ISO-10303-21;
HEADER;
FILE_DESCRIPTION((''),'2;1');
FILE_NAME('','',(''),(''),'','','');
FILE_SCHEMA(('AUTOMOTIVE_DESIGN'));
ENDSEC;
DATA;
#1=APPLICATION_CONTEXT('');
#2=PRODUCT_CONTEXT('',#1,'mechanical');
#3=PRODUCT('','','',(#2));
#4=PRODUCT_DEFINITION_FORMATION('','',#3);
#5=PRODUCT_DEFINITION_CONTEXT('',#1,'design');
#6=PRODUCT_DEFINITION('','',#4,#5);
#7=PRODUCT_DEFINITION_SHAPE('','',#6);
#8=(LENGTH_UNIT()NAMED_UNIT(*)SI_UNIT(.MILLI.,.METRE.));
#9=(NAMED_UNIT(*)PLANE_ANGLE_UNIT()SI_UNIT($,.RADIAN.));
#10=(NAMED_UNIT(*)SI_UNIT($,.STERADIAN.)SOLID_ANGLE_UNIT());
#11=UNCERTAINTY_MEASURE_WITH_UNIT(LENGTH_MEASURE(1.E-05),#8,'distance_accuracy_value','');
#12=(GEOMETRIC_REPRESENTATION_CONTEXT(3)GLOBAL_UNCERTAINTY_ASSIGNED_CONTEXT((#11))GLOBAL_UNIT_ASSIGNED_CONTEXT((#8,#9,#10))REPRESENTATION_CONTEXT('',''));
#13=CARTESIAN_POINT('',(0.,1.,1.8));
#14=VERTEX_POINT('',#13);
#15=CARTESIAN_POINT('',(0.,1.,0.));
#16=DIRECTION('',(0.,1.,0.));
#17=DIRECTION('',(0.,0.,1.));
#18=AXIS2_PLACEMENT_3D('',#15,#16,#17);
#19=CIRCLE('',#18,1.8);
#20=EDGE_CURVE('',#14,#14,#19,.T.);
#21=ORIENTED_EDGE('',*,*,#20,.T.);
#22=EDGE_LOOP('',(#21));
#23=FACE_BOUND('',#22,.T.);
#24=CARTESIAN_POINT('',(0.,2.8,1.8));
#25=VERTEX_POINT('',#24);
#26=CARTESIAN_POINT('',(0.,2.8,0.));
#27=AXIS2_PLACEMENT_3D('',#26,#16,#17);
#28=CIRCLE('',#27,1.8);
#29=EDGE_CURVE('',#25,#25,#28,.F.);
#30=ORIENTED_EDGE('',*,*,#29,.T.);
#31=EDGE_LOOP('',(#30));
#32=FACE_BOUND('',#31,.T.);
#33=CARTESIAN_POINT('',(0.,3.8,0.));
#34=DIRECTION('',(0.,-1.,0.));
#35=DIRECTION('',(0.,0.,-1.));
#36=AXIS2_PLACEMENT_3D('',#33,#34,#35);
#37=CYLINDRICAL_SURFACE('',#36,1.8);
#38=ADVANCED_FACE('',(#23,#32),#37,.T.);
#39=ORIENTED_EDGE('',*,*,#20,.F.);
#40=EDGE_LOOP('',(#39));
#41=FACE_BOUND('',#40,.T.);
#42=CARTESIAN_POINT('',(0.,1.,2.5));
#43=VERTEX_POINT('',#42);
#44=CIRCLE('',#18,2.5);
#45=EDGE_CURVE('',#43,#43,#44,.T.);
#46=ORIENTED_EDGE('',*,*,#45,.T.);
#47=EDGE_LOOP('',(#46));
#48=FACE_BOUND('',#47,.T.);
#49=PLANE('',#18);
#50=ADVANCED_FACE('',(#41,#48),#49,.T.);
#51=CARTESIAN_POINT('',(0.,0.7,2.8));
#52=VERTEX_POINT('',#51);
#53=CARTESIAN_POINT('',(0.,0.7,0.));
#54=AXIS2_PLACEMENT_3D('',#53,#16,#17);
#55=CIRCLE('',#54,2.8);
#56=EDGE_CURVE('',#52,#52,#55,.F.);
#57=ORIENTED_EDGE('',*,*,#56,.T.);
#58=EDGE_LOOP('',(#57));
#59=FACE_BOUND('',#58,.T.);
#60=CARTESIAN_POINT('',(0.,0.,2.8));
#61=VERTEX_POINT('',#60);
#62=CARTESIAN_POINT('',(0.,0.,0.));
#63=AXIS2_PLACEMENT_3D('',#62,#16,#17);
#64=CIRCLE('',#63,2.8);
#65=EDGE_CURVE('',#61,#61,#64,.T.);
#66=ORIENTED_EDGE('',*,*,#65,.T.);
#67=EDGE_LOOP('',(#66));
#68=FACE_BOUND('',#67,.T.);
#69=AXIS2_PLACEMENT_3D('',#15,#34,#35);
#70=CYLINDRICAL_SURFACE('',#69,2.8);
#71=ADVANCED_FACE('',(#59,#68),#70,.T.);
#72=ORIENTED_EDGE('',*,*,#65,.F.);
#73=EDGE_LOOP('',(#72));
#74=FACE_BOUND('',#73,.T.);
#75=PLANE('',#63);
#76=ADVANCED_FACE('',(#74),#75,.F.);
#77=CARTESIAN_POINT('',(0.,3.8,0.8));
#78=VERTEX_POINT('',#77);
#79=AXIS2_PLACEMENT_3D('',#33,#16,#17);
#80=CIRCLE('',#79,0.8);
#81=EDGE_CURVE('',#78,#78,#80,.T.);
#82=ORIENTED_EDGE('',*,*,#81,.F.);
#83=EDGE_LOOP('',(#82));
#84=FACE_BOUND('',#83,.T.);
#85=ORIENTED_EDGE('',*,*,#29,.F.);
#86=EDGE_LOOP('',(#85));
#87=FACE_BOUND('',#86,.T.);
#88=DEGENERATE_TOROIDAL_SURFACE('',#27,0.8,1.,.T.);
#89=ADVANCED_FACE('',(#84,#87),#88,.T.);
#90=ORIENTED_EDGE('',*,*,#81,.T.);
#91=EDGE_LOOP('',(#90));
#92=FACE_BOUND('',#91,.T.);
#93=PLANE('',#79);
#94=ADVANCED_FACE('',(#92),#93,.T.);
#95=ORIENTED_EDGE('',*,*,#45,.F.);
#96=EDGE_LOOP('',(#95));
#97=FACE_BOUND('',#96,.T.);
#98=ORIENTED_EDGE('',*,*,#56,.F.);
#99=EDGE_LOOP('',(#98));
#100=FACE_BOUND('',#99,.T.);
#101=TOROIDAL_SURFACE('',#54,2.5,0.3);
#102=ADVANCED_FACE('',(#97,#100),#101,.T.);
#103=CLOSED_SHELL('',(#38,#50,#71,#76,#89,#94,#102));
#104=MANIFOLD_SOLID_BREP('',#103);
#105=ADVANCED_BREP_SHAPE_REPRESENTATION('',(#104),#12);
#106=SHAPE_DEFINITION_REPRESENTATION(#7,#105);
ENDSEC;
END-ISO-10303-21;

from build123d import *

# Parameters (mm, degrees)
SKETCH_1_R      = 2.8
EXTRUDE_2_DEPTH = 1
SKETCH_2_R      = 1.8
EXTRUDE_3_DEPTH = 2.8
FILLET_1_R      = 1
FILLET_2_R      = 0.3


with BuildPart() as part:
    # 草图1 → 凸台-拉伸2 (new body)
    with BuildSketch(Plane(origin=(0, 0, 0), x_dir=(1, 0, 0), z_dir=(0, 1, 0))):
        with Locations(Location((0, 0, 0), (0, 0, 270))):
            Circle(SKETCH_1_R)
    extrude(amount=EXTRUDE_2_DEPTH)

    # 草图2 → 凸台-拉伸3 (add)
    with BuildSketch(Plane(origin=(0, 1, 0), x_dir=(1, 0, 0), z_dir=(0, 1, 0))):
        with Locations(Location((0, 0, 0), (0, 0, 270))):
            Circle(SKETCH_2_R)
    extrude(amount=EXTRUDE_3_DEPTH)

    # 圆角1
    fillet_1_edges = [part.edges().sort_by_distance(p)[0] for p in [
        (0, 3.8, -1.8),
    ]]
    fillet(fillet_1_edges, radius=FILLET_1_R)

    # 圆角2
    fillet_2_edges = [part.edges().sort_by_distance(p)[0] for p in [
        (0, 1, -2.8),
    ]]
    fillet(fillet_2_edges, radius=FILLET_2_R)


solid = part.part
